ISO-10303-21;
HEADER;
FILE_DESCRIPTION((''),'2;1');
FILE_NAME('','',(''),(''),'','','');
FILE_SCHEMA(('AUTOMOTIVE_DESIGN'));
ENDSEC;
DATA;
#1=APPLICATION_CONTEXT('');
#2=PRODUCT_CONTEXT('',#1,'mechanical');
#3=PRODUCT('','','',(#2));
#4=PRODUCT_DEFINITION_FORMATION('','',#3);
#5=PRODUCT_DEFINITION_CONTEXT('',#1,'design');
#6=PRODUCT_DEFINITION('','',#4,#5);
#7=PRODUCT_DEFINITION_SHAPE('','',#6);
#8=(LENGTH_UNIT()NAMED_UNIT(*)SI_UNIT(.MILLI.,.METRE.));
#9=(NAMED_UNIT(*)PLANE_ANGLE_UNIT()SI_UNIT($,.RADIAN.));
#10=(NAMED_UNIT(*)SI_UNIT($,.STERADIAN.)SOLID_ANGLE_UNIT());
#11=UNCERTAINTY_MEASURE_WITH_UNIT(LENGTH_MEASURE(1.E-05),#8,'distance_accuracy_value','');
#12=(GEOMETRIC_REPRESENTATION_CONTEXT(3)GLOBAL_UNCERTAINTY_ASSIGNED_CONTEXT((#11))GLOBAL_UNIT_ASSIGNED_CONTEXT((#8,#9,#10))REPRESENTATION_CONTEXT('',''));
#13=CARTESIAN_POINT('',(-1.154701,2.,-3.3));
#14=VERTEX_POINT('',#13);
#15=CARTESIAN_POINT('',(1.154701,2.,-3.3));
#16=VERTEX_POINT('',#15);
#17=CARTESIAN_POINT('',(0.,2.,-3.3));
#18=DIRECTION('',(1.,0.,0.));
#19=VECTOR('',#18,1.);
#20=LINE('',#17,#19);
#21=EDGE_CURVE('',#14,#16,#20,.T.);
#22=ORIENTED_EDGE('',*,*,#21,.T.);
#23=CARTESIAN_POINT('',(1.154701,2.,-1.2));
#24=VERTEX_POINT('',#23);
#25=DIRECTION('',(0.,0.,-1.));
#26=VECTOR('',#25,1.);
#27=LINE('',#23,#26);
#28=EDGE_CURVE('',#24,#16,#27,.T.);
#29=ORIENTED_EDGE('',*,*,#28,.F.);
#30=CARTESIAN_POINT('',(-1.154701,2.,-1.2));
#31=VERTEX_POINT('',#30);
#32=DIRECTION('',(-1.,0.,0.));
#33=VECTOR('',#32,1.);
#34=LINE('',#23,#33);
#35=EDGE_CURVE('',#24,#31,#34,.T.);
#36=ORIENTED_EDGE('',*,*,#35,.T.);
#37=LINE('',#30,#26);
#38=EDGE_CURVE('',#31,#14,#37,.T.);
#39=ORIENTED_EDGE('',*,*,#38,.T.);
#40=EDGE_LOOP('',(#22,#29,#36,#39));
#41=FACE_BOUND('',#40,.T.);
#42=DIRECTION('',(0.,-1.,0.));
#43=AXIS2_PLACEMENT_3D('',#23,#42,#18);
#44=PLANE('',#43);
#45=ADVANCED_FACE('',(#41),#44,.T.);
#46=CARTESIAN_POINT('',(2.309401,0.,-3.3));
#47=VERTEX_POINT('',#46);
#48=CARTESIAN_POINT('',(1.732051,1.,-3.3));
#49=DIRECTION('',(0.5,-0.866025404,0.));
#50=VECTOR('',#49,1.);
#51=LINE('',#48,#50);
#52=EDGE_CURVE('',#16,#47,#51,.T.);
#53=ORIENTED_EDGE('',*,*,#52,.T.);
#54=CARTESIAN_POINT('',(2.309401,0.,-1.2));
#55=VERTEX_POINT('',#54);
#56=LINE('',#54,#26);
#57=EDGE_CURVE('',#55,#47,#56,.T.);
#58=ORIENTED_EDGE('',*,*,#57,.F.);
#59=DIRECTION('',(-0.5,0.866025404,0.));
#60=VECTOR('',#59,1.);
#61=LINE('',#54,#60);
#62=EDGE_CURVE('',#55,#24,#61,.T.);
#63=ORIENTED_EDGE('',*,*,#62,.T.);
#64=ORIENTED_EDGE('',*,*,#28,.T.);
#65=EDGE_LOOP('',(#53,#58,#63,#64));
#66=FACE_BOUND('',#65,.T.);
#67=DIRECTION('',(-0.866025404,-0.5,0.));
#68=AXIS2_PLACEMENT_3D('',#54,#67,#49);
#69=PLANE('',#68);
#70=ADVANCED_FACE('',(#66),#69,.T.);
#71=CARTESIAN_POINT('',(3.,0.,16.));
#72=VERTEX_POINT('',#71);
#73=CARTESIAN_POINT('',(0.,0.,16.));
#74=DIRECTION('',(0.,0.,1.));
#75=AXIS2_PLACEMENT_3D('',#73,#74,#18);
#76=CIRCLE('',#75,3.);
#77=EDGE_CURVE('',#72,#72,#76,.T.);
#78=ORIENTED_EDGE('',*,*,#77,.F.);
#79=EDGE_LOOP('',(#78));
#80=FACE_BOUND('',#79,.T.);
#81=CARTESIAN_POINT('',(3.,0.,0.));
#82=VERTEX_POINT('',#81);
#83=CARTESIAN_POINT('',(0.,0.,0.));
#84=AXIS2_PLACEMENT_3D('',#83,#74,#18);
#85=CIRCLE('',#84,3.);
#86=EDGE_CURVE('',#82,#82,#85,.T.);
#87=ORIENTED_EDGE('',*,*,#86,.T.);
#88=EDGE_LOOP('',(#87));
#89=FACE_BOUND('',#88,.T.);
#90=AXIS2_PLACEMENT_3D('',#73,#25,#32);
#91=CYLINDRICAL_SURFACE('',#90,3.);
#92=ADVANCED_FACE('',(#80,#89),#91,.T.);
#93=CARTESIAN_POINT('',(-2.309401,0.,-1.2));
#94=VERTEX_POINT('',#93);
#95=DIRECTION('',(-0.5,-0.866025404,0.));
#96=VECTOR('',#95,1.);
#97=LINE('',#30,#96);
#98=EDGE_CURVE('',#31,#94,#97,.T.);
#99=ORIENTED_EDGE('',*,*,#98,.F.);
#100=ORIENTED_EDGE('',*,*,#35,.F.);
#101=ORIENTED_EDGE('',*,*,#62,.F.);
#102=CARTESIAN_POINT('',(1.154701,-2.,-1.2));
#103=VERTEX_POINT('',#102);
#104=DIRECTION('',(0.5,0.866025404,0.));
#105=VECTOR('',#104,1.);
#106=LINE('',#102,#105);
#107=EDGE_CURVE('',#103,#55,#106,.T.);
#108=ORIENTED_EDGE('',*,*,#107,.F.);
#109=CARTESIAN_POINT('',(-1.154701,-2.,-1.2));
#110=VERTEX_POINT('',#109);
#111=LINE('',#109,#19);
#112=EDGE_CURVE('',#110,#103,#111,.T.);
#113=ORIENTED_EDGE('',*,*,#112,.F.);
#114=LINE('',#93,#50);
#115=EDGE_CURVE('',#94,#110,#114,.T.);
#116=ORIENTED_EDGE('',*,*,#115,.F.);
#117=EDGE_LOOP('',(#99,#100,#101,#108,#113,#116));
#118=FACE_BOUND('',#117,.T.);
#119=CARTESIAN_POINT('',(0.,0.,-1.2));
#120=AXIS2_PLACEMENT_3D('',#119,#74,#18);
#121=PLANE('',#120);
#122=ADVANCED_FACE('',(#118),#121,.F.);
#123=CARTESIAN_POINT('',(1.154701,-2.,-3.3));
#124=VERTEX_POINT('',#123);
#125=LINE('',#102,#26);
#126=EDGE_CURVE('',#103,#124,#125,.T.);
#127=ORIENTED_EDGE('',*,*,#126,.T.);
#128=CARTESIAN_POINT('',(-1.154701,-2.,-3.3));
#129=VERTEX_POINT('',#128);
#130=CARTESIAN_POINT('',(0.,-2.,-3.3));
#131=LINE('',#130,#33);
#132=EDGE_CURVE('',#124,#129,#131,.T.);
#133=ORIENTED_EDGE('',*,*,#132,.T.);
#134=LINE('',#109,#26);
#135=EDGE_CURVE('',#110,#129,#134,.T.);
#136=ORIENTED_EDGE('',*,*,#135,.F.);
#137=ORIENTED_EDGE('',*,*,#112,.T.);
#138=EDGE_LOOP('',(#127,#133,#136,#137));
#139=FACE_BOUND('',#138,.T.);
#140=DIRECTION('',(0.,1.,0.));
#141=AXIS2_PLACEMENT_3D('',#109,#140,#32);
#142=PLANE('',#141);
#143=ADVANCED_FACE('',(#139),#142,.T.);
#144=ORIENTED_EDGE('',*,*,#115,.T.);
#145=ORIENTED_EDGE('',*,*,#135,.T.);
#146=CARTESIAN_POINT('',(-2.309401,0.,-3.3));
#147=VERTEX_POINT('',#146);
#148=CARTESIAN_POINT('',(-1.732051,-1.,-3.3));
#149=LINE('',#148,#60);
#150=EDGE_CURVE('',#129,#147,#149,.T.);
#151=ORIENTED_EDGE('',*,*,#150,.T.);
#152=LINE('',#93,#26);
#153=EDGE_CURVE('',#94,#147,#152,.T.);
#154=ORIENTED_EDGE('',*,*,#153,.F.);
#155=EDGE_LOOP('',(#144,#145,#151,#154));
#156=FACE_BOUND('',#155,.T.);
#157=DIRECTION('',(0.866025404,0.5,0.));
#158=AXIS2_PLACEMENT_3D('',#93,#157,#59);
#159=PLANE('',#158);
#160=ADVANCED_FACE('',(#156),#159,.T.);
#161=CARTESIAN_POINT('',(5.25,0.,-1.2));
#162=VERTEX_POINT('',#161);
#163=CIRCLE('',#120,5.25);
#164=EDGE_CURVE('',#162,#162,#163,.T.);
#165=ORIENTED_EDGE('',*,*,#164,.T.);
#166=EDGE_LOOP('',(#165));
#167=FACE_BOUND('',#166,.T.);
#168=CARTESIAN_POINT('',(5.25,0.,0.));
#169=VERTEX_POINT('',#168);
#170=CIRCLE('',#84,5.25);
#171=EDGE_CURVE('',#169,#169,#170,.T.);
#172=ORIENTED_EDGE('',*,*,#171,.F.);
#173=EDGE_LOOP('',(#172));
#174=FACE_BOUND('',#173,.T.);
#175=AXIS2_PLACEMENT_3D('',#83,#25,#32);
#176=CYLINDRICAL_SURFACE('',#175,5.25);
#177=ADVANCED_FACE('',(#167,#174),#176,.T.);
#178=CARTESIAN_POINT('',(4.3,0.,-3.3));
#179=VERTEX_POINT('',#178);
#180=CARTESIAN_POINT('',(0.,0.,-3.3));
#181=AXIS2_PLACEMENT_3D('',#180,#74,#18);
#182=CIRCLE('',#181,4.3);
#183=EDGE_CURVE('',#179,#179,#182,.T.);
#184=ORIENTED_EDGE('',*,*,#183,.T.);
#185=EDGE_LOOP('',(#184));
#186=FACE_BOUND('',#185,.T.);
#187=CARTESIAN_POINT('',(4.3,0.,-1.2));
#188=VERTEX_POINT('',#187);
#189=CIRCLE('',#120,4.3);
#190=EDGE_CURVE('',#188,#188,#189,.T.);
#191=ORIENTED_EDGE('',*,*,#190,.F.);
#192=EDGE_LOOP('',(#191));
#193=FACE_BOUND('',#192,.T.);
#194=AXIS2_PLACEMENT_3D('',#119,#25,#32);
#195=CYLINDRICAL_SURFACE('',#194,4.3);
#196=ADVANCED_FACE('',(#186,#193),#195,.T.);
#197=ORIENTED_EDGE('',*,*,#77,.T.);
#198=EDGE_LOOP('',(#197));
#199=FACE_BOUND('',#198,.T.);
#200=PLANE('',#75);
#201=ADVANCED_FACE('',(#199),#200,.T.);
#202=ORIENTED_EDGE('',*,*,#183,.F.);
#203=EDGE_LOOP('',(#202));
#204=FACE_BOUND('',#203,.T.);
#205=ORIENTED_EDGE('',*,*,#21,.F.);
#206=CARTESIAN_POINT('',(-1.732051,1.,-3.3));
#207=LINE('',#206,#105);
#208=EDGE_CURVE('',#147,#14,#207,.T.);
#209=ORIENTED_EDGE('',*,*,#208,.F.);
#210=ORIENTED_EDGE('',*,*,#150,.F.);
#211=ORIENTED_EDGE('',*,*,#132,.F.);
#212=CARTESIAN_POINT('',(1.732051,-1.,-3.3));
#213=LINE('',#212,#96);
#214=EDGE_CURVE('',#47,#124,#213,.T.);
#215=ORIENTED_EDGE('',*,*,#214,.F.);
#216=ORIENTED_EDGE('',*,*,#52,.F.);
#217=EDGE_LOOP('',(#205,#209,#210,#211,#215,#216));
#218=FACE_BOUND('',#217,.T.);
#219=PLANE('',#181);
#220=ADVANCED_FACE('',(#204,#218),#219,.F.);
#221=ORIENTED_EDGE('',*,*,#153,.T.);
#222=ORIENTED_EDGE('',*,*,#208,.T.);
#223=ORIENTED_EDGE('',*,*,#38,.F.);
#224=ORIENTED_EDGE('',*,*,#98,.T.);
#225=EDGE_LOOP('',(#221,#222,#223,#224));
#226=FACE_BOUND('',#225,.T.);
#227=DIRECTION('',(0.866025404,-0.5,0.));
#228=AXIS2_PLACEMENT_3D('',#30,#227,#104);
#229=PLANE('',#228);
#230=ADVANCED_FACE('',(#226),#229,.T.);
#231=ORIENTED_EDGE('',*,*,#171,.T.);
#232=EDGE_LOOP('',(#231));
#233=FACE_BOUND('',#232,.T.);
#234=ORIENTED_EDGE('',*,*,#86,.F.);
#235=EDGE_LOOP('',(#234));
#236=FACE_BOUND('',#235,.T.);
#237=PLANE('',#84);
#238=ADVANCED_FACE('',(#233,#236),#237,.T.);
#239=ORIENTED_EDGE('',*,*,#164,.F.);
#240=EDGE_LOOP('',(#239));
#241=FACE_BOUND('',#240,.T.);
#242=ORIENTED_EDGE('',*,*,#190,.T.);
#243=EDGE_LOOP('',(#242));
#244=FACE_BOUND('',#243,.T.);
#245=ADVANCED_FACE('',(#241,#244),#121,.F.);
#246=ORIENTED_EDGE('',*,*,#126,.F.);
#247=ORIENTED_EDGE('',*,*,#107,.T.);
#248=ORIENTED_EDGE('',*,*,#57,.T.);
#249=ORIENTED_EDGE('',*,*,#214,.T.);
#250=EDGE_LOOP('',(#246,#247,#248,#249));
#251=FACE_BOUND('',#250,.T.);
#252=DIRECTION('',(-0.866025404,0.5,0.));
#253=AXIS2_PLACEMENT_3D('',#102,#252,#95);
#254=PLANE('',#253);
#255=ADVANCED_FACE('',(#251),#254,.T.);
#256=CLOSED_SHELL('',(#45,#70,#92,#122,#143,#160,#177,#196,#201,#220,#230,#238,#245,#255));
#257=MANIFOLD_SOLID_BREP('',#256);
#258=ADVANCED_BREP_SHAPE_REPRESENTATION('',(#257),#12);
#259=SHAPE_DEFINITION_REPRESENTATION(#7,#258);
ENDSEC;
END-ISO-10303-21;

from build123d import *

# Parameters (mm, degrees)
S01_M6_THREADED_SHANK_R                  = 3
F_01_M6_THREADED_SHANK_DEPTH             = 16
F_02_START                               = -1.2
S02_BUTTON_HEAD_CLEARING_DIAMETER_R      = 5.25
F_02_BUTTON_HEAD_CLEARING_DIAMETER_DEPTH = 1.2
F_03_START                               = -3.3
S03_BUTTON_CROWN_R                       = 4.3
F_03_BUTTON_CROWN_DEPTH                  = 2.1
F_04_START                               = -3.4
F_04_4_MM_HEX_SOCKET_DEPTH               = 2.2


with BuildPart() as part:
    # S01 - M6 threaded shank → 01 - M6 threaded shank (new body)
    with BuildSketch(Plane.XY):
        Circle(S01_M6_THREADED_SHANK_R)
    extrude(amount=F_01_M6_THREADED_SHANK_DEPTH)

    # S02 - Button head clearing diameter → 02 - Button head clearing diameter (add)
    with BuildSketch(Plane.XY.offset(F_02_START)):
        Circle(S02_BUTTON_HEAD_CLEARING_DIAMETER_R)
    extrude(amount=F_02_BUTTON_HEAD_CLEARING_DIAMETER_DEPTH)

    # S03 - Button crown → 03 - Button crown (add)
    with BuildSketch(Plane.XY.offset(F_03_START)):
        Circle(S03_BUTTON_CROWN_R)
    extrude(amount=F_03_BUTTON_CROWN_DEPTH)

    # S04 - 4 mm hex socket → 04 - 4 mm hex socket (cut)
    with BuildSketch(Plane.XY.offset(F_04_START)):
        Polygon((2.309401077, 0), (1.154700538, 2), (-1.154700538, 2), (-2.309401077, 0), (-1.154700538, -2), (1.154700538, -2), align=None)
    extrude(amount=F_04_4_MM_HEX_SOCKET_DEPTH, mode=Mode.SUBTRACT)


solid = part.part
